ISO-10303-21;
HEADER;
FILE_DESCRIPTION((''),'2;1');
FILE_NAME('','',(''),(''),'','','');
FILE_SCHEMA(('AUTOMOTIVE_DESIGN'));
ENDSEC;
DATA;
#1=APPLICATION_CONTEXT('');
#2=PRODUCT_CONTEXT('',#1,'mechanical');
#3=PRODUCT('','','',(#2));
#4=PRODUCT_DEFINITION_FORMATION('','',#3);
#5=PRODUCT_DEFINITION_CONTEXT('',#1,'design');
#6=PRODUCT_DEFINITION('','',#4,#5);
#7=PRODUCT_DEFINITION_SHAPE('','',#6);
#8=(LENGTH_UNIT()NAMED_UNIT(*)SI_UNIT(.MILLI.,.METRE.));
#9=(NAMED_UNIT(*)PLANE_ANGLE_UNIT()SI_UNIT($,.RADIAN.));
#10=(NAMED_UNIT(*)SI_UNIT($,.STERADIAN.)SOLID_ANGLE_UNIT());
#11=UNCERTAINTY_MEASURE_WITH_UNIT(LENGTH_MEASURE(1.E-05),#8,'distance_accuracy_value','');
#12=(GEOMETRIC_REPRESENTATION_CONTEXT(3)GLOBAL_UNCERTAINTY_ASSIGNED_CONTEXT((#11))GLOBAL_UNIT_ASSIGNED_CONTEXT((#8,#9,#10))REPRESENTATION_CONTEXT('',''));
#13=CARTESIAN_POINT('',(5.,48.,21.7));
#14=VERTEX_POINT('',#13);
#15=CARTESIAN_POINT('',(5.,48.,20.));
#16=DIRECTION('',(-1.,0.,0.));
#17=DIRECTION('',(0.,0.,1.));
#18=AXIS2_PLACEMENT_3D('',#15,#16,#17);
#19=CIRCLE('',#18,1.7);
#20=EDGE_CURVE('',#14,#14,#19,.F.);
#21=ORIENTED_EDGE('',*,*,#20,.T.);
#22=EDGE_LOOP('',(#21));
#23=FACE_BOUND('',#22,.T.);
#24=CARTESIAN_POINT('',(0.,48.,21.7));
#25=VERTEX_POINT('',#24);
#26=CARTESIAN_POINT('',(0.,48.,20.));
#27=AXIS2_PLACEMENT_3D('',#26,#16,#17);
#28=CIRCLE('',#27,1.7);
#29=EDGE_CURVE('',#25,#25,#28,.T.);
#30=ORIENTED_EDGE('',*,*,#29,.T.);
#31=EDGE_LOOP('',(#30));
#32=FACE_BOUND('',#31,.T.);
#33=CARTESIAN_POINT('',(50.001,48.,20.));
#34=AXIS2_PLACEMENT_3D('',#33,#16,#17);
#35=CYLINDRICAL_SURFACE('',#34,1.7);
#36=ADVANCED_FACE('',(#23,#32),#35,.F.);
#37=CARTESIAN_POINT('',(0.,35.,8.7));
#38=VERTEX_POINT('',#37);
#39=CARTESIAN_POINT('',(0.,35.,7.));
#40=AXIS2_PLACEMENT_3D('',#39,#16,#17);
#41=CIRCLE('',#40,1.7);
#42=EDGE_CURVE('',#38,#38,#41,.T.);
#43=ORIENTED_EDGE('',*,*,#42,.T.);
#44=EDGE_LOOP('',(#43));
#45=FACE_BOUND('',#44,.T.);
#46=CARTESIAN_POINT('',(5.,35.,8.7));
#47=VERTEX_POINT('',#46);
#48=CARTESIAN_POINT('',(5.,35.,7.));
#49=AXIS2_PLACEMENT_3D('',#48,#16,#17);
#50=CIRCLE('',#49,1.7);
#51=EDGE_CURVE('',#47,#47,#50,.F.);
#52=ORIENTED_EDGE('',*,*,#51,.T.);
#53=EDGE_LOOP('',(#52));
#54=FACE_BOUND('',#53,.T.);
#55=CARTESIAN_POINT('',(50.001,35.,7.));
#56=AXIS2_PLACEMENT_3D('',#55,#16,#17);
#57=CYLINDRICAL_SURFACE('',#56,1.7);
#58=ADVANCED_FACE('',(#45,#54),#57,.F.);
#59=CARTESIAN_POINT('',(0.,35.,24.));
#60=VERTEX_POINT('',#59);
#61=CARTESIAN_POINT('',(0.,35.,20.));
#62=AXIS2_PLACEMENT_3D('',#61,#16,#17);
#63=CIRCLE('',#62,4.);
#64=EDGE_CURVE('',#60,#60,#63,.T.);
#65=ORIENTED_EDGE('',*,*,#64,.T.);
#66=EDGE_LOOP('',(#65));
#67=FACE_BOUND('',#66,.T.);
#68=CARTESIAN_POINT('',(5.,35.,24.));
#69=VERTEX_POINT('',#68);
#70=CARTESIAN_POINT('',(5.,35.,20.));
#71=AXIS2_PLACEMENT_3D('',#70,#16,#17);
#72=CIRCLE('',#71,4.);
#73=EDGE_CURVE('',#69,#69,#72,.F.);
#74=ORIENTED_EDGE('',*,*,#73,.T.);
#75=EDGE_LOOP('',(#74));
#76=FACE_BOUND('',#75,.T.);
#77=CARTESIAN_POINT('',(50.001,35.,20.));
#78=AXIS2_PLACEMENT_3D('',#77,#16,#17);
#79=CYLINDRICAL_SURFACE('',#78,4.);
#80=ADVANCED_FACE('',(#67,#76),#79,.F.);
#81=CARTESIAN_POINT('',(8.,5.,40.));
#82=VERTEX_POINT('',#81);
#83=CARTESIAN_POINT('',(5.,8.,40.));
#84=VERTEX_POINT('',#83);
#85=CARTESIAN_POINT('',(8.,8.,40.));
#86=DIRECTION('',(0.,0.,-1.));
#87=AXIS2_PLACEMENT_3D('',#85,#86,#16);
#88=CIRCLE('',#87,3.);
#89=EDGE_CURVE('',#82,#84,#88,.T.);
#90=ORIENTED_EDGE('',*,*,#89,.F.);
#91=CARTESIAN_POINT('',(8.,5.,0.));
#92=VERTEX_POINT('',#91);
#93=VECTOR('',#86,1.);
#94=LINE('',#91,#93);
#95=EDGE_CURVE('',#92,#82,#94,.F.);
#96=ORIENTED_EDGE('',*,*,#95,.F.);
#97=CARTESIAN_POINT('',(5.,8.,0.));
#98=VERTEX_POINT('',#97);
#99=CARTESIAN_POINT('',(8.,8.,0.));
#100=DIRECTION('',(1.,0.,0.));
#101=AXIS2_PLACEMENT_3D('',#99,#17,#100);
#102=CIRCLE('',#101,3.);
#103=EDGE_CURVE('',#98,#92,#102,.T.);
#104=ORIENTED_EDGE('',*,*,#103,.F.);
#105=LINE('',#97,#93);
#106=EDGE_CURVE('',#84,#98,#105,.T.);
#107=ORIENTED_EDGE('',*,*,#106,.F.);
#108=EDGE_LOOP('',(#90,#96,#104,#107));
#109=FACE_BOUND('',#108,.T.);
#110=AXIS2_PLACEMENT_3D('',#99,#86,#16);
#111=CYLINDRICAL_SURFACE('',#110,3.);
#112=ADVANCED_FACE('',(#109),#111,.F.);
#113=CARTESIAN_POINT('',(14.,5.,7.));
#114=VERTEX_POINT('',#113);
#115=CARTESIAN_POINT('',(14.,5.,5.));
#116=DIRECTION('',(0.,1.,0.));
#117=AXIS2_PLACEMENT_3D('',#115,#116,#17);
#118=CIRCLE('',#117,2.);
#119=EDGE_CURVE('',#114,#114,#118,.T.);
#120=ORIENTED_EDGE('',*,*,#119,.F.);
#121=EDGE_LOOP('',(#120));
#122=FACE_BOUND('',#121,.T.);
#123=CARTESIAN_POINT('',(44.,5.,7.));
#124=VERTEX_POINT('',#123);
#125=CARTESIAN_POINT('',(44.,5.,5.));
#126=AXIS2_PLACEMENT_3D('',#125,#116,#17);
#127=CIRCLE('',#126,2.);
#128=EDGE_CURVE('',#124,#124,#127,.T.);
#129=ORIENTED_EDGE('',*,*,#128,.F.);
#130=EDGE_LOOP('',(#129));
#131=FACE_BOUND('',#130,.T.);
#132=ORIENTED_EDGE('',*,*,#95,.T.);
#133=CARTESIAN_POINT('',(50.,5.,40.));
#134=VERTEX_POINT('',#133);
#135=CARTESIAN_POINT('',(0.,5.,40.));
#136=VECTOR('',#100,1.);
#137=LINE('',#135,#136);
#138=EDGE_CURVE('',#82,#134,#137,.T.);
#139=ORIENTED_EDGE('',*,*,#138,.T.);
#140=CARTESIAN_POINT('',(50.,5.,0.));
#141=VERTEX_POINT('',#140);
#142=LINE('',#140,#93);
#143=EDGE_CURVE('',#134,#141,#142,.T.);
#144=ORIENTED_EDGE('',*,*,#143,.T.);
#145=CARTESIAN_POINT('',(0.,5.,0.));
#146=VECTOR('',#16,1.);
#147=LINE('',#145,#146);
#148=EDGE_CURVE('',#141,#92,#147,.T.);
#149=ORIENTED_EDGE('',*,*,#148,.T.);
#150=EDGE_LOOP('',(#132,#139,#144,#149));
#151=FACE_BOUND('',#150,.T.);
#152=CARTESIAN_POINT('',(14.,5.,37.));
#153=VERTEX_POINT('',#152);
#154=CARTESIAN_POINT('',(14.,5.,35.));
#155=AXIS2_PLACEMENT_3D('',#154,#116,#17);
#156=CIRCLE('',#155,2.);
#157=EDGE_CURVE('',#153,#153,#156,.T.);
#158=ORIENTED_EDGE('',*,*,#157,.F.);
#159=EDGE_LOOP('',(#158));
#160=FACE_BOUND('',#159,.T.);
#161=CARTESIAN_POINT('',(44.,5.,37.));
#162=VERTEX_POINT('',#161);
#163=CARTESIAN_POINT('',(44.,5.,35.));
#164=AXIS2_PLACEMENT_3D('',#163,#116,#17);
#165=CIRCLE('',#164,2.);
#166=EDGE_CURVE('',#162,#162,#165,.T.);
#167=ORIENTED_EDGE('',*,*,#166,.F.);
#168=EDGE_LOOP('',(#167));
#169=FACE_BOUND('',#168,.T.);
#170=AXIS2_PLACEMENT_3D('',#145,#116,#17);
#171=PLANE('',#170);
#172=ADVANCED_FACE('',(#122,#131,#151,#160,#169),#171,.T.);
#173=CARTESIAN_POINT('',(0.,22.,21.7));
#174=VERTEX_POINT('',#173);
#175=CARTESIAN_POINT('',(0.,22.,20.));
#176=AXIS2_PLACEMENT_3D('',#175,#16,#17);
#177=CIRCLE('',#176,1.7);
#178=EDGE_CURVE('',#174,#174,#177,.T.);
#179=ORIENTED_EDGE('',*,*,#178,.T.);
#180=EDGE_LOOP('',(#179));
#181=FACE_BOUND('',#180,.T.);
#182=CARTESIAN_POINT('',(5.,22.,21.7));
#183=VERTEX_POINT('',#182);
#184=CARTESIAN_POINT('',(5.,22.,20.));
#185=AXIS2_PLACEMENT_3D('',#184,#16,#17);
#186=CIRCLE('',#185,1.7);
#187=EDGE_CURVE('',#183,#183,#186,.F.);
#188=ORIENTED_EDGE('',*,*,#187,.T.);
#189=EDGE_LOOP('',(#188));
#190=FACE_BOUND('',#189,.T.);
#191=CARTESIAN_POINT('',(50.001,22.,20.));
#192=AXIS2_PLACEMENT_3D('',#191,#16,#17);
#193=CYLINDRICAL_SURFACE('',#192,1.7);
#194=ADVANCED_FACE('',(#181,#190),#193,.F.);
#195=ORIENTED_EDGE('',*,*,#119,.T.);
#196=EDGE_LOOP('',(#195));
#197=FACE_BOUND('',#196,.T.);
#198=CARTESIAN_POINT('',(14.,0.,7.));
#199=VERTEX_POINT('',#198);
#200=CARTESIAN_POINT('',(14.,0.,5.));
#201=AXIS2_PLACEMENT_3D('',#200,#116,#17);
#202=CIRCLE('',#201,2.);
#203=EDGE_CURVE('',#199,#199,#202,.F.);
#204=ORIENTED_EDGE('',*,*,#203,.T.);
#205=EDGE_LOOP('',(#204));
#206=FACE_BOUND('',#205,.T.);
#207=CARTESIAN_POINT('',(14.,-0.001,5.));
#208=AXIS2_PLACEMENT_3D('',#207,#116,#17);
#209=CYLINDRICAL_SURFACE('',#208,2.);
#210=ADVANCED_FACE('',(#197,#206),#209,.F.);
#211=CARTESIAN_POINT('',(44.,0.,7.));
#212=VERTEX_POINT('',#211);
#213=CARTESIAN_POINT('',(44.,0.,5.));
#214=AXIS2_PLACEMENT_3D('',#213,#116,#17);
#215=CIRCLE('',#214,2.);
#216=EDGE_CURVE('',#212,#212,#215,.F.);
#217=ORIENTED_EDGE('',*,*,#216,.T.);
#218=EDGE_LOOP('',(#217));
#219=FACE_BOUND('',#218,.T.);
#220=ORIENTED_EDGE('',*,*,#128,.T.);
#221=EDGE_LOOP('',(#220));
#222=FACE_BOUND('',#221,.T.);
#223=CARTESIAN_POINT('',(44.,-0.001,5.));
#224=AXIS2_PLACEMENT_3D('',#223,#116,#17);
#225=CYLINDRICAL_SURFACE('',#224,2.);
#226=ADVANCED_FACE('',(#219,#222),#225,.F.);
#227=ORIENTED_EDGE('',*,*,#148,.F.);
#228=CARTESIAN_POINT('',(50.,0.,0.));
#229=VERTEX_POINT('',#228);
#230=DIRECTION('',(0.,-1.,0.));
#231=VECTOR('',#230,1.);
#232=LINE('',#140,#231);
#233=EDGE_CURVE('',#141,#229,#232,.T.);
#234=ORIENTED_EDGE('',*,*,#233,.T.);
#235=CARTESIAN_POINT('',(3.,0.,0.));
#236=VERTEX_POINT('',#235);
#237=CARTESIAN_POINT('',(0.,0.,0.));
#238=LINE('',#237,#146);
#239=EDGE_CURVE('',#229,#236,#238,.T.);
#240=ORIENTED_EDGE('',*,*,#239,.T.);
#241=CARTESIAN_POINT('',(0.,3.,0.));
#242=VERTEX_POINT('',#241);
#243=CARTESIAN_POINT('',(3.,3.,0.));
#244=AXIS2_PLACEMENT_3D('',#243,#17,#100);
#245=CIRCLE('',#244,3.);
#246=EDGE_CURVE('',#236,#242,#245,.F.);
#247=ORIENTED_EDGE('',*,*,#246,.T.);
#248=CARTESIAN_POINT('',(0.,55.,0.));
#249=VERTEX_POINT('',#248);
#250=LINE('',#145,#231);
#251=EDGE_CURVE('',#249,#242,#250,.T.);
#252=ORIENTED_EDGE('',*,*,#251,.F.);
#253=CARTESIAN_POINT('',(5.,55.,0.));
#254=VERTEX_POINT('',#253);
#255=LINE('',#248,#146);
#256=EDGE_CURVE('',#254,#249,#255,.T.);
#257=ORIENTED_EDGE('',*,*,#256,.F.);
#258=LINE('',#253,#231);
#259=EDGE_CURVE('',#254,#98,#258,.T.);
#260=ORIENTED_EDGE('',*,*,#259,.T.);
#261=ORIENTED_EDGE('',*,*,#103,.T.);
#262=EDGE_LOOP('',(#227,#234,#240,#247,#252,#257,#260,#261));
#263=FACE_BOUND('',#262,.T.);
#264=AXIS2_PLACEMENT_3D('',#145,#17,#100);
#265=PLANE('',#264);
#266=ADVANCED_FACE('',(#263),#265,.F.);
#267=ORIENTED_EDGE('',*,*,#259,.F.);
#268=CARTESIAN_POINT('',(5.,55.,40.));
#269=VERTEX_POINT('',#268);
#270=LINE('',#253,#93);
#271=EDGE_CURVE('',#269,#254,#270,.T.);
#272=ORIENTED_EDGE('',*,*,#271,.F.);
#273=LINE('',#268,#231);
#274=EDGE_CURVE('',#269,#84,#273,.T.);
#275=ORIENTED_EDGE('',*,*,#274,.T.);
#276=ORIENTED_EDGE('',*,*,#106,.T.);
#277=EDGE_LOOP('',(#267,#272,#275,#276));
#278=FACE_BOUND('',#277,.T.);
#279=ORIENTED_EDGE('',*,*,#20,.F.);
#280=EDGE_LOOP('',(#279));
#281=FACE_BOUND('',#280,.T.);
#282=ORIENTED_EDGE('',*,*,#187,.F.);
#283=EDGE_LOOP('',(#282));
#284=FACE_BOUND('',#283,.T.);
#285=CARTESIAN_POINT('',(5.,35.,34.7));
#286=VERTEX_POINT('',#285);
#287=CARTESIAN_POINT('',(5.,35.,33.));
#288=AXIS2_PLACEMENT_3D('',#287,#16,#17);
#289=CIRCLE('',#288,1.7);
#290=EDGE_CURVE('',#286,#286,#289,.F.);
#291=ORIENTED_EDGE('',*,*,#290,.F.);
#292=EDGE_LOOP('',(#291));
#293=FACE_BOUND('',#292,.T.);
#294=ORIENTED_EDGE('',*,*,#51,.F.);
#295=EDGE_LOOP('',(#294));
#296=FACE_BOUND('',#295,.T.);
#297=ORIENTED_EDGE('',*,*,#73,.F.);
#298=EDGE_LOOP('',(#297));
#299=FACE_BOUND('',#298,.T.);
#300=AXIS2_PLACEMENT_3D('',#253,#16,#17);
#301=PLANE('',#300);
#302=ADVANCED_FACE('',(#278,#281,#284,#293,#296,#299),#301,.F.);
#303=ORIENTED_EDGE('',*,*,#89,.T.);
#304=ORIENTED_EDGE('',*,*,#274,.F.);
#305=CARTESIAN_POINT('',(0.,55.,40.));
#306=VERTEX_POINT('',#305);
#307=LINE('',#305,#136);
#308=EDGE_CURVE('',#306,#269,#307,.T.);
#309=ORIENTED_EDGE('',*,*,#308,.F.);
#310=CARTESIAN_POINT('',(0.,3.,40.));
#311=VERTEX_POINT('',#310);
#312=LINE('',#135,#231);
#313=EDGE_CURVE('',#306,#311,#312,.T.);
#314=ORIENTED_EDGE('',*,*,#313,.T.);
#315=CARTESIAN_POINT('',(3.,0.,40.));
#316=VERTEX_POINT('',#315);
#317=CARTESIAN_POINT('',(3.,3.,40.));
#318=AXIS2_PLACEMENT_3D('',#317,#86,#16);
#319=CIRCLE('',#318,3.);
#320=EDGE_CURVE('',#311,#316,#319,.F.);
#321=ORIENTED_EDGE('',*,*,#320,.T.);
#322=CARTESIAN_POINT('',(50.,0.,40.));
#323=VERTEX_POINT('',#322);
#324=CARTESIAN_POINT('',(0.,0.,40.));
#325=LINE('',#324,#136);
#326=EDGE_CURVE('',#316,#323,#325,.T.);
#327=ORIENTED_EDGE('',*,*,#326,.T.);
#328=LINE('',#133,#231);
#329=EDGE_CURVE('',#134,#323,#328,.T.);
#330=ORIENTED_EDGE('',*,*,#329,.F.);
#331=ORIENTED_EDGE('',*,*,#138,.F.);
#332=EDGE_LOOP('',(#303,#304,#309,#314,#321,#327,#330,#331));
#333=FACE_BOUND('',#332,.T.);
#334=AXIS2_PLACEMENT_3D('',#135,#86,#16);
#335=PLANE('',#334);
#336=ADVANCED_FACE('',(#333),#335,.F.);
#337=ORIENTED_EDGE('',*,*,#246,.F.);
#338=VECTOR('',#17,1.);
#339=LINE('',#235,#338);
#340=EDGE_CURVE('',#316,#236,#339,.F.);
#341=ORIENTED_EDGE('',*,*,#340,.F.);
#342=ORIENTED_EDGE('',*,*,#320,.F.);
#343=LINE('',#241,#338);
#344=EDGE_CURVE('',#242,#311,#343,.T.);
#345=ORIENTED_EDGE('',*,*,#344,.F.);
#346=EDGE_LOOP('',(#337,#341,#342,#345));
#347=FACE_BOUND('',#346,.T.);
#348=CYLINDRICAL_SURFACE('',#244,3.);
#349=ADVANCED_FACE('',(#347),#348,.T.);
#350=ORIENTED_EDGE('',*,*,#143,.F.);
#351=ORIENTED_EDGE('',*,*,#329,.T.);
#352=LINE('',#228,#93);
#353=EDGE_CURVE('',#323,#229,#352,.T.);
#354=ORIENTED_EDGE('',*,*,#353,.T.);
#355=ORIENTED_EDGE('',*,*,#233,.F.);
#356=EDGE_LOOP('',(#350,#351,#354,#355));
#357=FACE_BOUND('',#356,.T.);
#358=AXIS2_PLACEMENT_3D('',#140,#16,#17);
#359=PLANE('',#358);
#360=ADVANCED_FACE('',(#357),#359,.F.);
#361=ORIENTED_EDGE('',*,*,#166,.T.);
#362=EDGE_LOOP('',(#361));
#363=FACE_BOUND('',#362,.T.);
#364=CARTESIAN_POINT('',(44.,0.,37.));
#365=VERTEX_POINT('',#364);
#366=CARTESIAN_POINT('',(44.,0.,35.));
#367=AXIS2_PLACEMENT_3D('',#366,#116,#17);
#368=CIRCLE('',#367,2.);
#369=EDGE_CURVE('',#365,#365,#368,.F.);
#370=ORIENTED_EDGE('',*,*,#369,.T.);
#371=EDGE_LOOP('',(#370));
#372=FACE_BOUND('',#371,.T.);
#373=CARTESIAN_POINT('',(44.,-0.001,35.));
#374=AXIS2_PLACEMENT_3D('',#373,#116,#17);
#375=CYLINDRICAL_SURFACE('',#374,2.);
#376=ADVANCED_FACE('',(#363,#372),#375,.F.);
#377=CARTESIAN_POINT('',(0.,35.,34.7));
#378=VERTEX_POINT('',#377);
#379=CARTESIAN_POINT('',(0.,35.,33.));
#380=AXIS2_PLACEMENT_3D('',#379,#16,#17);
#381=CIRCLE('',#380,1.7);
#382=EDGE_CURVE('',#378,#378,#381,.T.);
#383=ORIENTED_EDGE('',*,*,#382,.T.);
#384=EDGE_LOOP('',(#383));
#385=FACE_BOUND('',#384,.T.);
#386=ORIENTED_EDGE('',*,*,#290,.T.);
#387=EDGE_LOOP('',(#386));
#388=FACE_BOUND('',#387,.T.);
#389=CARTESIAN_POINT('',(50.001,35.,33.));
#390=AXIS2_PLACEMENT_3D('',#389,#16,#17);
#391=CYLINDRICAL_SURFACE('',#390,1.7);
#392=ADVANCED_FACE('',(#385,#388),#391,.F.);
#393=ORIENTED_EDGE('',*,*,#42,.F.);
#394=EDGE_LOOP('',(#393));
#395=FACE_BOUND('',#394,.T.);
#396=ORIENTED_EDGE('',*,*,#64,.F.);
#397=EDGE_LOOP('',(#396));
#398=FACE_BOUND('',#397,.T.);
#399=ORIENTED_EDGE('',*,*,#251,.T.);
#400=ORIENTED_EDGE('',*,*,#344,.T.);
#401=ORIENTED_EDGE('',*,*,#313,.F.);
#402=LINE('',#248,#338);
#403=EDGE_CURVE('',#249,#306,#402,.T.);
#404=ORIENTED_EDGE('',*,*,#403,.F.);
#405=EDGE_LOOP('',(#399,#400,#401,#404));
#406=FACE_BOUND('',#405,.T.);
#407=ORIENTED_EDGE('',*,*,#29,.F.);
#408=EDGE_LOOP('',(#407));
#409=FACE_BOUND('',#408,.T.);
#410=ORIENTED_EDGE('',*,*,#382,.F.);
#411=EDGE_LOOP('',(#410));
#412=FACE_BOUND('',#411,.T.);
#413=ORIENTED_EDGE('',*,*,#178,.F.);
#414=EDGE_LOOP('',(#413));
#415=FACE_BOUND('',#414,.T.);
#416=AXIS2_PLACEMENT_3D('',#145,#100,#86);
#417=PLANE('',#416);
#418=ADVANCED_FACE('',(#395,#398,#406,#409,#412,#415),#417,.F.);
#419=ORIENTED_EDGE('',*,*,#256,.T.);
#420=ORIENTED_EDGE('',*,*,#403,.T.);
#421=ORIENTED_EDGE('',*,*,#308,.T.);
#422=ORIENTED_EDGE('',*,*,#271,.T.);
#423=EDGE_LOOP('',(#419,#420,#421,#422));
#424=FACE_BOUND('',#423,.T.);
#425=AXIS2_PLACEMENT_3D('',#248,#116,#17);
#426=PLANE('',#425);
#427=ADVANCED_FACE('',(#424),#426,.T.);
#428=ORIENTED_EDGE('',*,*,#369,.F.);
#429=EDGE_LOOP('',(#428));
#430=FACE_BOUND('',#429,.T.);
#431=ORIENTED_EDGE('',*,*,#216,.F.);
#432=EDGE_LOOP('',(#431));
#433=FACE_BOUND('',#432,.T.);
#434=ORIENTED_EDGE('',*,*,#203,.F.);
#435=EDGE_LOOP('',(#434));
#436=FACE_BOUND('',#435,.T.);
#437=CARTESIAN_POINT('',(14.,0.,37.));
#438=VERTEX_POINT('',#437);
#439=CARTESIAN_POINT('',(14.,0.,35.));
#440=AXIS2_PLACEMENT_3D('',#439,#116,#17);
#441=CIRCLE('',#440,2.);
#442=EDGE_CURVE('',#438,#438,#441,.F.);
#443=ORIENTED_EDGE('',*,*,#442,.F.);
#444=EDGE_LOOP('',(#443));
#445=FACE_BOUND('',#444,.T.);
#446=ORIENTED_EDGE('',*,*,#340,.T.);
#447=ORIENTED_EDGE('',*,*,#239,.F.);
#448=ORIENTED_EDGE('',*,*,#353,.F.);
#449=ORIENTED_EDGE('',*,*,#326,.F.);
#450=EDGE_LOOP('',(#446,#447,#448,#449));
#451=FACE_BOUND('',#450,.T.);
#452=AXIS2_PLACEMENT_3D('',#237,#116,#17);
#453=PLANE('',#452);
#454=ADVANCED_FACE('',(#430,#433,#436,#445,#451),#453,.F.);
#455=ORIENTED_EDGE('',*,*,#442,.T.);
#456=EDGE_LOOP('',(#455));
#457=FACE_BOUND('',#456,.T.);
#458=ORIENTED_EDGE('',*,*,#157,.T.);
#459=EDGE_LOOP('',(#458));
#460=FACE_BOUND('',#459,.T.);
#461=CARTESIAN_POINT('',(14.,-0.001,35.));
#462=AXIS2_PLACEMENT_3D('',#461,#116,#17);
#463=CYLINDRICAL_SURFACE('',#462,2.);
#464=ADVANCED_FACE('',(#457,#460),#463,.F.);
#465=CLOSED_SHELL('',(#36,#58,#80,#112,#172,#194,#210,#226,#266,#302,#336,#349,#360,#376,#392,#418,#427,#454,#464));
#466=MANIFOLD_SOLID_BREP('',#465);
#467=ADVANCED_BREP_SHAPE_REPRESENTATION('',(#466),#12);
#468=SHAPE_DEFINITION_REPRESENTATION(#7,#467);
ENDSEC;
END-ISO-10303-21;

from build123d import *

# Parameters (mm, degrees)
SKETCH1_W           = 50
SKETCH1_H           = 40
BOSS_EXTRUDE1_DEPTH = 5
SKETCH2_W           = 5
SKETCH2_H           = 40
BOSS_EXTRUDE2_DEPTH = 50
FILLET1_R           = 3
CUT_EXTRUDE1_REACH  = 86.41
SKETCH3_R           = 4
CUT_EXTRUDE2_REACH  = 86.41
SKETCH5_R           = 1.7
CUT_EXTRUDE3_REACH  = 83.24
SKETCH6_R           = 2


with BuildPart() as part:
    # Sketch1 → Boss-Extrude1 (new body)
    with BuildSketch(Plane(origin=(0, 0, 0), x_dir=(1, 0, 0), z_dir=(0, 1, 0))):
        with Locations((25, -20)):
            Rectangle(SKETCH1_W, SKETCH1_H)
    extrude(amount=BOSS_EXTRUDE1_DEPTH)

    # Sketch2 → Boss-Extrude2 (add)
    with BuildSketch(Plane(origin=(0, 5, 0), x_dir=(1, 0, 0), z_dir=(0, 1, 0))):
        with Locations((2.5, -20)):
            Rectangle(SKETCH2_W, SKETCH2_H)
    extrude(amount=BOSS_EXTRUDE2_DEPTH)

    # Fillet1
    fillet1_edges = [part.edges().sort_by_distance(p)[0] for p in [
        (5, 5, 20),
        (0, 0, 20),
    ]]
    fillet(fillet1_edges, radius=FILLET1_R)

    # Sketch3 → Cut-Extrude1 (cut, up to next)
    with BuildSketch(Plane.ZY, mode=Mode.PRIVATE) as cut_extrude1_sk1:
        with Locations((20, 35)):
            Circle(SKETCH3_R)
    cut_extrude1_tool1 = extrude(cut_extrude1_sk1.sketch, amount=-CUT_EXTRUDE1_REACH, mode=Mode.PRIVATE) & part.part
    add(cut_extrude1_tool1.solids().sort_by_distance((0, 35, 20))[0], mode=Mode.SUBTRACT)

    # Sketch5 → Cut-Extrude2 (cut, up to next)
    with BuildSketch(Plane.ZY, mode=Mode.PRIVATE) as cut_extrude2_sk1:
        with Locations((7, 35)):
            Circle(SKETCH5_R)
    cut_extrude2_tool1 = extrude(cut_extrude2_sk1.sketch, amount=-CUT_EXTRUDE2_REACH, mode=Mode.PRIVATE) & part.part
    # Sketch5 → Cut-Extrude2 (cut, up to next)
    with BuildSketch(Plane.ZY, mode=Mode.PRIVATE) as cut_extrude2_sk2:
        with Locations((33, 35)):
            Circle(SKETCH5_R)
    cut_extrude2_tool2 = extrude(cut_extrude2_sk2.sketch, amount=-CUT_EXTRUDE2_REACH, mode=Mode.PRIVATE) & part.part
    # Sketch5 → Cut-Extrude2 (cut, up to next)
    with BuildSketch(Plane.ZY, mode=Mode.PRIVATE) as cut_extrude2_sk3:
        with Locations((20, 48)):
            Circle(SKETCH5_R)
    cut_extrude2_tool3 = extrude(cut_extrude2_sk3.sketch, amount=-CUT_EXTRUDE2_REACH, mode=Mode.PRIVATE) & part.part
    # Sketch5 → Cut-Extrude2 (cut, up to next)
    with BuildSketch(Plane.ZY, mode=Mode.PRIVATE) as cut_extrude2_sk4:
        with Locations((20, 22)):
            Circle(SKETCH5_R)
    cut_extrude2_tool4 = extrude(cut_extrude2_sk4.sketch, amount=-CUT_EXTRUDE2_REACH, mode=Mode.PRIVATE) & part.part
    add(cut_extrude2_tool1.solids().sort_by_distance((0, 35, 7))[0], mode=Mode.SUBTRACT)
    add(cut_extrude2_tool2.solids().sort_by_distance((0, 35, 33))[0], mode=Mode.SUBTRACT)
    add(cut_extrude2_tool3.solids().sort_by_distance((0, 48, 20))[0], mode=Mode.SUBTRACT)
    add(cut_extrude2_tool4.solids().sort_by_distance((0, 22, 20))[0], mode=Mode.SUBTRACT)

    # Sketch6 → Cut-Extrude3 (cut, up to next)
    with BuildSketch(Plane(origin=(0, 5, 0), x_dir=(1, 0, 0), z_dir=(0, 1, 0)), mode=Mode.PRIVATE) as cut_extrude3_sk1:
        with Locations(Location((14, -5, 0), (0, 0, 270))):
            Circle(SKETCH6_R)
    cut_extrude3_tool1 = extrude(cut_extrude3_sk1.sketch, amount=-CUT_EXTRUDE3_REACH, mode=Mode.PRIVATE) & part.part
    # Sketch6 → Cut-Extrude3 (cut, up to next)
    with BuildSketch(Plane(origin=(0, 5, 0), x_dir=(1, 0, 0), z_dir=(0, 1, 0)), mode=Mode.PRIVATE) as cut_extrude3_sk2:
        with Locations(Location((14, -35, 0), (0, 0, 270))):
            Circle(SKETCH6_R)
    cut_extrude3_tool2 = extrude(cut_extrude3_sk2.sketch, amount=-CUT_EXTRUDE3_REACH, mode=Mode.PRIVATE) & part.part
    # Sketch6 → Cut-Extrude3 (cut, up to next)
    with BuildSketch(Plane(origin=(0, 5, 0), x_dir=(1, 0, 0), z_dir=(0, 1, 0)), mode=Mode.PRIVATE) as cut_extrude3_sk3:
        with Locations(Location((44, -5, 0), (0, 0, 270))):
            Circle(SKETCH6_R)
    cut_extrude3_tool3 = extrude(cut_extrude3_sk3.sketch, amount=-CUT_EXTRUDE3_REACH, mode=Mode.PRIVATE) & part.part
    # Sketch6 → Cut-Extrude3 (cut, up to next)
    with BuildSketch(Plane(origin=(0, 5, 0), x_dir=(1, 0, 0), z_dir=(0, 1, 0)), mode=Mode.PRIVATE) as cut_extrude3_sk4:
        with Locations(Location((44, -35, 0), (0, 0, 270))):
            Circle(SKETCH6_R)
    cut_extrude3_tool4 = extrude(cut_extrude3_sk4.sketch, amount=-CUT_EXTRUDE3_REACH, mode=Mode.PRIVATE) & part.part
    add(cut_extrude3_tool1.solids().sort_by_distance((14, 5, 5))[0], mode=Mode.SUBTRACT)
    add(cut_extrude3_tool2.solids().sort_by_distance((14, 5, 35))[0], mode=Mode.SUBTRACT)
    add(cut_extrude3_tool3.solids().sort_by_distance((44, 5, 5))[0], mode=Mode.SUBTRACT)
    add(cut_extrude3_tool4.solids().sort_by_distance((44, 5, 35))[0], mode=Mode.SUBTRACT)


solid = part.part
